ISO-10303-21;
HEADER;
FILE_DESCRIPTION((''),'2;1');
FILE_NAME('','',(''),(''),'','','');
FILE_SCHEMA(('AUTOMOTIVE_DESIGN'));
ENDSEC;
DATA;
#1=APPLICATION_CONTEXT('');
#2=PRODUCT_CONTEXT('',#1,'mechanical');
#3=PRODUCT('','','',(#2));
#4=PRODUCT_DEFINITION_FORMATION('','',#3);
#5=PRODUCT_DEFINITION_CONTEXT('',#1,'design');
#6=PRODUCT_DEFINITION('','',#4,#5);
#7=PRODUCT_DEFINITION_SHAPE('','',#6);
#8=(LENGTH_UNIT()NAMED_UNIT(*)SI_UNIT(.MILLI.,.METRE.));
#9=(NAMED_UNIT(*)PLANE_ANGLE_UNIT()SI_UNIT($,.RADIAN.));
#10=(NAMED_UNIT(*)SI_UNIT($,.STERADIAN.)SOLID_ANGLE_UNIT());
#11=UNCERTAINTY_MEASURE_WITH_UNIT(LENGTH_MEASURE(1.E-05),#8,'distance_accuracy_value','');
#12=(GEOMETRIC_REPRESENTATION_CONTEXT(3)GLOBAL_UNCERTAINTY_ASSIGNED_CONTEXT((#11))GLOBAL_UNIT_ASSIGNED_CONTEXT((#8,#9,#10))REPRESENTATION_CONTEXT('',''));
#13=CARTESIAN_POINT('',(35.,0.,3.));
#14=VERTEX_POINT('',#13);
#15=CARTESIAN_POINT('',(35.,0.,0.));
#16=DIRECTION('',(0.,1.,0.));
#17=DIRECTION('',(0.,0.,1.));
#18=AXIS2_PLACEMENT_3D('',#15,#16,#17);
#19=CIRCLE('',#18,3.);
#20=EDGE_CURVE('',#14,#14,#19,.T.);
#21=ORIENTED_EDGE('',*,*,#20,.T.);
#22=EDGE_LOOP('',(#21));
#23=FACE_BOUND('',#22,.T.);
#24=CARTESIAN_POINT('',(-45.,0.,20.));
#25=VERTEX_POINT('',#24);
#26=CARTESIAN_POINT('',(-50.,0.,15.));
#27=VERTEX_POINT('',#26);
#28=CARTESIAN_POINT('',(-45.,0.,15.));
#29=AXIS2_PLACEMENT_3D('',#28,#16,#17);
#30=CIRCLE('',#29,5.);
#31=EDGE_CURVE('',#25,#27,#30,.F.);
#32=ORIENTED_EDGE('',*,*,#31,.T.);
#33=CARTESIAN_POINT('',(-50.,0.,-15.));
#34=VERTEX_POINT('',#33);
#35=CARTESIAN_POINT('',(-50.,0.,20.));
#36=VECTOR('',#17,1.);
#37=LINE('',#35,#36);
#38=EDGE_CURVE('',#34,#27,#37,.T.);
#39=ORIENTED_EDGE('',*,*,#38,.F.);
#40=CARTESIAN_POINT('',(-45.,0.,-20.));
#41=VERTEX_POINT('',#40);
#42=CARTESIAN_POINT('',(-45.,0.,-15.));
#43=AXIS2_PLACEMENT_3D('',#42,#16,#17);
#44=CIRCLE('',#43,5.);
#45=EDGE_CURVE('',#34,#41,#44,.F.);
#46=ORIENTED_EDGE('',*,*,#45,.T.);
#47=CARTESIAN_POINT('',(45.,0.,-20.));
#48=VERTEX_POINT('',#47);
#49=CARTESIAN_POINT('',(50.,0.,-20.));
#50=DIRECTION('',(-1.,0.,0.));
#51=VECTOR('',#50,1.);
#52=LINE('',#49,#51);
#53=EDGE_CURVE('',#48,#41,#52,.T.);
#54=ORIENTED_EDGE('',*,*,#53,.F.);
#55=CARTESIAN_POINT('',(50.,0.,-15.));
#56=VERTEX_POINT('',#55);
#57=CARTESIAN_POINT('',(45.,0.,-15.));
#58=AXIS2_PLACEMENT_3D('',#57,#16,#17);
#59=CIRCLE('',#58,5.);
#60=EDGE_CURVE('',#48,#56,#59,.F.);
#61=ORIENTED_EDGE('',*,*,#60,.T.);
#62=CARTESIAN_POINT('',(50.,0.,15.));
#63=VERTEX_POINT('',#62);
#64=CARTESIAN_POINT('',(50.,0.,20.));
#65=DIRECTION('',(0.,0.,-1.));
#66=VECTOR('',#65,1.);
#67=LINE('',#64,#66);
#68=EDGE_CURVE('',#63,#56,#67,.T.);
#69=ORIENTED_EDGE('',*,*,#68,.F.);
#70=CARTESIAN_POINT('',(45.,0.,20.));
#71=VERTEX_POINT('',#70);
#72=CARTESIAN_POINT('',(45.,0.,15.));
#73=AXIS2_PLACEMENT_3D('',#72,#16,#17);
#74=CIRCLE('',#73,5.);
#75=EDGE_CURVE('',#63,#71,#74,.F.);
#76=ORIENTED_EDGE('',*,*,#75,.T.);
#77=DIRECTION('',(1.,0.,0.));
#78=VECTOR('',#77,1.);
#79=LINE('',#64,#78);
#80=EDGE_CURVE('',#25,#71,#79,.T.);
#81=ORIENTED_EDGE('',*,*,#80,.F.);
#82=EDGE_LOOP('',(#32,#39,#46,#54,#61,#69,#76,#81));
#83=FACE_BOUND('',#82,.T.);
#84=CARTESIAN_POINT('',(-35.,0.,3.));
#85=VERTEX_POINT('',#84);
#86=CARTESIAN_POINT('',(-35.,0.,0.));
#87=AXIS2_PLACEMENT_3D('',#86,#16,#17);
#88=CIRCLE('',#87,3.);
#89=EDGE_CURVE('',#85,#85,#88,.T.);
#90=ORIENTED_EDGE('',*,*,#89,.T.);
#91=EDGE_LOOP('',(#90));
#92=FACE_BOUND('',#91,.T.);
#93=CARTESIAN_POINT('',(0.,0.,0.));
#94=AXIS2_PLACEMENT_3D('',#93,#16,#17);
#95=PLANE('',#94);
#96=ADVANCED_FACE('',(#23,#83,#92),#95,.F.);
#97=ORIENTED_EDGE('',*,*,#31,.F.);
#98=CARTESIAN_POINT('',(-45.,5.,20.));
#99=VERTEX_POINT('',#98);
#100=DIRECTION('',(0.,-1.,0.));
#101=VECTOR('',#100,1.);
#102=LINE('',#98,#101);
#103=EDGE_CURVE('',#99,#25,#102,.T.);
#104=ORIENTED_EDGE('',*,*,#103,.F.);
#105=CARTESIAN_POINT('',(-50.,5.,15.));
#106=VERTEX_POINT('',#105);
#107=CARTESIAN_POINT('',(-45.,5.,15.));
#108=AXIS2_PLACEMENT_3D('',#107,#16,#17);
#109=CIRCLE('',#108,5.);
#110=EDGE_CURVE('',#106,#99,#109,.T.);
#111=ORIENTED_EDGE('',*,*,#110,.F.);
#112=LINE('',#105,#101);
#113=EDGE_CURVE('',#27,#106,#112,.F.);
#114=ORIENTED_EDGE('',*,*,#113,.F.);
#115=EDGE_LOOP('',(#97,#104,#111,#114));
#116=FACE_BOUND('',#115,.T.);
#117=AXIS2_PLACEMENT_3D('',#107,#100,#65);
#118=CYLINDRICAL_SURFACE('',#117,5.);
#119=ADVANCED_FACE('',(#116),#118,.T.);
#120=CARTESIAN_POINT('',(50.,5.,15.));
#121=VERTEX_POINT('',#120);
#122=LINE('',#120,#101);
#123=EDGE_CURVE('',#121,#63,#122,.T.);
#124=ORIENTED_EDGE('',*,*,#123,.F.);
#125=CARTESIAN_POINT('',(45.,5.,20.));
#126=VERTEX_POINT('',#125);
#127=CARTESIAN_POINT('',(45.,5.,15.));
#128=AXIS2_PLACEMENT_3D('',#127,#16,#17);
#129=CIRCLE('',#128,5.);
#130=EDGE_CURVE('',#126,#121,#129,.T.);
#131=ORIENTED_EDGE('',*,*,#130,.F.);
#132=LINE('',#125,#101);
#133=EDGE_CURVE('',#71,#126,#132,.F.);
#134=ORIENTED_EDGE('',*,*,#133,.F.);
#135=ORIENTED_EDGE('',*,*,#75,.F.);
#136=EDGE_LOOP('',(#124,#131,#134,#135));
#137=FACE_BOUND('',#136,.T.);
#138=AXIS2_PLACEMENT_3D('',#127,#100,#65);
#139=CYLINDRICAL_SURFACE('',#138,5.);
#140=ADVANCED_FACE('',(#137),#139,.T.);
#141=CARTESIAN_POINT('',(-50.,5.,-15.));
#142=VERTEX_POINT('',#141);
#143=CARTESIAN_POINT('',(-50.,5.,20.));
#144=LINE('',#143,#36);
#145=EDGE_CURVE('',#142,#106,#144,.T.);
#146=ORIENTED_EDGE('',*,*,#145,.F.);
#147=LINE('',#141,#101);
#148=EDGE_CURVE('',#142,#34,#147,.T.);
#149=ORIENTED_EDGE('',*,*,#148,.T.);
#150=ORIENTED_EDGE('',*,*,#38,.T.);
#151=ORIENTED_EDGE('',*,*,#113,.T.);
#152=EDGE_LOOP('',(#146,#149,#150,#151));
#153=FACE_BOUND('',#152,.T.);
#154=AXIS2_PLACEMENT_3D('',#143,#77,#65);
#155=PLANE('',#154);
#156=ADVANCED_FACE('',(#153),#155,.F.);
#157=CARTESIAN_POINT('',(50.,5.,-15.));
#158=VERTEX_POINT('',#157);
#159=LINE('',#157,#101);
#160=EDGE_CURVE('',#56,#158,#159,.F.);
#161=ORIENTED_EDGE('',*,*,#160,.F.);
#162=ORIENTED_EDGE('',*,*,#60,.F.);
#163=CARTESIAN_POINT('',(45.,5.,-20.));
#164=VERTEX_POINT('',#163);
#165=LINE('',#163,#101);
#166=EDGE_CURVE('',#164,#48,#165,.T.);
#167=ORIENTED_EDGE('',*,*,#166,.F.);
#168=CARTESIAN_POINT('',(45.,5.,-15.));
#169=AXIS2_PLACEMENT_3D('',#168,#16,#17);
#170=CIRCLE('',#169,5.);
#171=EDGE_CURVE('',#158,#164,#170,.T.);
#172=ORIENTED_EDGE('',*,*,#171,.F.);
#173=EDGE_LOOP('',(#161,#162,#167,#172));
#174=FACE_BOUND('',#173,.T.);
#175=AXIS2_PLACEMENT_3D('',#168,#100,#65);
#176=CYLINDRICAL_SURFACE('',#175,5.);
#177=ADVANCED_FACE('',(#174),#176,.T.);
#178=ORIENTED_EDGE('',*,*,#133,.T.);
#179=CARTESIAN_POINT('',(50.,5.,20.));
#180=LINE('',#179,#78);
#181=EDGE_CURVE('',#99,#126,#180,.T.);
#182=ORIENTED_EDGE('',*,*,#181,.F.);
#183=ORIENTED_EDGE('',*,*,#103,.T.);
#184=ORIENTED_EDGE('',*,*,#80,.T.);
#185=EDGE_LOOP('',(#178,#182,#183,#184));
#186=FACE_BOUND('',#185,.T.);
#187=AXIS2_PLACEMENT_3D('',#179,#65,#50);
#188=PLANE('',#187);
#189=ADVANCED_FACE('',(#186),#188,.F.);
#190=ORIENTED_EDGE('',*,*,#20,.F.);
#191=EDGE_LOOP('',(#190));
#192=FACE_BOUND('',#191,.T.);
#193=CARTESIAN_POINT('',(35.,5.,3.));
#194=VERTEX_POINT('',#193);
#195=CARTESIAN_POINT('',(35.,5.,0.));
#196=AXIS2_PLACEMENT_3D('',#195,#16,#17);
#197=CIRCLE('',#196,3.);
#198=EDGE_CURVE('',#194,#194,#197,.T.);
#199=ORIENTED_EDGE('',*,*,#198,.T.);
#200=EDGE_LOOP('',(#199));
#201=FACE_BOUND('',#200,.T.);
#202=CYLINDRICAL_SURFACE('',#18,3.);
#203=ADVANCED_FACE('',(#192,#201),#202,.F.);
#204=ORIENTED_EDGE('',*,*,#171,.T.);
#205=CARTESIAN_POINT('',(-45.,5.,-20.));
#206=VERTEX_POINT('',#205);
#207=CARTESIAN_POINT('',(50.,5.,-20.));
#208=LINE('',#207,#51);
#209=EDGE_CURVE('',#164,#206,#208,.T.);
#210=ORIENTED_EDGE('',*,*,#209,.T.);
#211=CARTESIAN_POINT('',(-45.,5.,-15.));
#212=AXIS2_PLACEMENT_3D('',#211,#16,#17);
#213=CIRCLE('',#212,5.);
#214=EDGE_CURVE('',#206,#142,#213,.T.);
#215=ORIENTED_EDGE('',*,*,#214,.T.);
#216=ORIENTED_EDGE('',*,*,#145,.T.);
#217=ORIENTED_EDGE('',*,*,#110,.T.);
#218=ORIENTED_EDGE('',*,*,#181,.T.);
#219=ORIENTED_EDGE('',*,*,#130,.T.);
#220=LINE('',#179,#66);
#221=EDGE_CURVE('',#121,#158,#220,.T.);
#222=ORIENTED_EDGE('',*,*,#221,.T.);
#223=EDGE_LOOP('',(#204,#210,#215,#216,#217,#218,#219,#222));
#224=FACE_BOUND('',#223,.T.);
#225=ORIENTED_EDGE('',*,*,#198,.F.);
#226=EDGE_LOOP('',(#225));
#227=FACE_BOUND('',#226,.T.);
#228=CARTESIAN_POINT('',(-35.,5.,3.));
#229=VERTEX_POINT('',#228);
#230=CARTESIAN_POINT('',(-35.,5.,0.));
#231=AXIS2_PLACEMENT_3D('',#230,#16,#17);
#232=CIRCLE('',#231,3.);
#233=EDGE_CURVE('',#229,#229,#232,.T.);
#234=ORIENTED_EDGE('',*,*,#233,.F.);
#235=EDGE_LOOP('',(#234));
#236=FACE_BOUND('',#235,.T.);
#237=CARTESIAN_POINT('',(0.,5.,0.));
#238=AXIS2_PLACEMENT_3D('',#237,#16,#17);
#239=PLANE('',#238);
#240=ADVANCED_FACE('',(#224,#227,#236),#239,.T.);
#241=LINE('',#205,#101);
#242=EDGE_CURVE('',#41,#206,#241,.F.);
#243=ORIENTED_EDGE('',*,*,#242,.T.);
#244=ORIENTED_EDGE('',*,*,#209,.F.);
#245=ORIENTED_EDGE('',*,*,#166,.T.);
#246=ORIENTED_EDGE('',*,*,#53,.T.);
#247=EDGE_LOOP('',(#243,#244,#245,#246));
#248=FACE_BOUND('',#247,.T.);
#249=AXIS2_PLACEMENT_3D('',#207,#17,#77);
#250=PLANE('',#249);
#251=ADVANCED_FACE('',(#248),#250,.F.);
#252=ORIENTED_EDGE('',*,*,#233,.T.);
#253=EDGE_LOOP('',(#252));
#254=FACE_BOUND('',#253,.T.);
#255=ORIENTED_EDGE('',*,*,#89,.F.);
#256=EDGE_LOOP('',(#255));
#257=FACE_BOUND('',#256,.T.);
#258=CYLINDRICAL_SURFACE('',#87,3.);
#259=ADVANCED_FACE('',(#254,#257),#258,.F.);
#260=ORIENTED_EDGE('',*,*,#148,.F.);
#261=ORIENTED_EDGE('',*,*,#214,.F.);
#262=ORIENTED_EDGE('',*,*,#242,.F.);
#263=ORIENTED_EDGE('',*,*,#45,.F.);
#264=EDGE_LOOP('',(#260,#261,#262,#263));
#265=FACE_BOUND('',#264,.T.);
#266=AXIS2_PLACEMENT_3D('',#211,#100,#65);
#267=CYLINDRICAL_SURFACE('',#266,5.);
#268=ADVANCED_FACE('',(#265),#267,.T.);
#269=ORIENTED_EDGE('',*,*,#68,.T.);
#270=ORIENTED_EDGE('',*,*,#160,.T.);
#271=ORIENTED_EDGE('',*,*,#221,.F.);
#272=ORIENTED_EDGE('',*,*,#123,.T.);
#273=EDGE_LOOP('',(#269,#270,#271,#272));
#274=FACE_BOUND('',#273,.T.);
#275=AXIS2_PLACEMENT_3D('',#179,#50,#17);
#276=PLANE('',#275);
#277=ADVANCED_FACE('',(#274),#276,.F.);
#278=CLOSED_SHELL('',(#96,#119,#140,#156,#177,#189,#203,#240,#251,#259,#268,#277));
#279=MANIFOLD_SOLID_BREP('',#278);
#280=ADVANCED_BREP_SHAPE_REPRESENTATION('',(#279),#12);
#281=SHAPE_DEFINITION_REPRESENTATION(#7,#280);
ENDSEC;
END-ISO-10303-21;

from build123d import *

# Parameters (mm, degrees)
ESBO_O1_W                = 100
ESBO_O1_H                = 40
RESSALTO_EXTRUS_O1_DEPTH = 5
FILETE1_R                = 5
ESBO_O2_R                = 3
CORTE_EXTRUS_O1_DEPTH    = 5


with BuildPart() as part:
    # Esboço1 → Ressalto-extrusão1 (new body)
    with BuildSketch(Plane(origin=(0, 0, 0), x_dir=(1, 0, 0), z_dir=(0, 1, 0))):
        Rectangle(ESBO_O1_W, ESBO_O1_H)
    extrude(amount=RESSALTO_EXTRUS_O1_DEPTH)

    # Filete1
    filete1_edges = [part.edges().sort_by_distance(p)[0] for p in [
        (-50, 2.5, -20),
        (50, 2.5, -20),
        (50, 2.5, 20),
        (-50, 2.5, 20),
    ]]
    fillet(filete1_edges, radius=FILETE1_R)

    # Esboço2 → Corte-extrusão1 (cut)
    with BuildSketch(Plane(origin=(0, 5, 0), x_dir=(1, 0, 0), z_dir=(0, 1, 0))):
        with Locations(Location((-35, 0, 0), (0, 0, 270))):
            Circle(ESBO_O2_R)
        with Locations(Location((35, 0, 0), (0, 0, 270))):
            Circle(ESBO_O2_R)
    extrude(amount=-CORTE_EXTRUS_O1_DEPTH, mode=Mode.SUBTRACT)


solid = part.part
